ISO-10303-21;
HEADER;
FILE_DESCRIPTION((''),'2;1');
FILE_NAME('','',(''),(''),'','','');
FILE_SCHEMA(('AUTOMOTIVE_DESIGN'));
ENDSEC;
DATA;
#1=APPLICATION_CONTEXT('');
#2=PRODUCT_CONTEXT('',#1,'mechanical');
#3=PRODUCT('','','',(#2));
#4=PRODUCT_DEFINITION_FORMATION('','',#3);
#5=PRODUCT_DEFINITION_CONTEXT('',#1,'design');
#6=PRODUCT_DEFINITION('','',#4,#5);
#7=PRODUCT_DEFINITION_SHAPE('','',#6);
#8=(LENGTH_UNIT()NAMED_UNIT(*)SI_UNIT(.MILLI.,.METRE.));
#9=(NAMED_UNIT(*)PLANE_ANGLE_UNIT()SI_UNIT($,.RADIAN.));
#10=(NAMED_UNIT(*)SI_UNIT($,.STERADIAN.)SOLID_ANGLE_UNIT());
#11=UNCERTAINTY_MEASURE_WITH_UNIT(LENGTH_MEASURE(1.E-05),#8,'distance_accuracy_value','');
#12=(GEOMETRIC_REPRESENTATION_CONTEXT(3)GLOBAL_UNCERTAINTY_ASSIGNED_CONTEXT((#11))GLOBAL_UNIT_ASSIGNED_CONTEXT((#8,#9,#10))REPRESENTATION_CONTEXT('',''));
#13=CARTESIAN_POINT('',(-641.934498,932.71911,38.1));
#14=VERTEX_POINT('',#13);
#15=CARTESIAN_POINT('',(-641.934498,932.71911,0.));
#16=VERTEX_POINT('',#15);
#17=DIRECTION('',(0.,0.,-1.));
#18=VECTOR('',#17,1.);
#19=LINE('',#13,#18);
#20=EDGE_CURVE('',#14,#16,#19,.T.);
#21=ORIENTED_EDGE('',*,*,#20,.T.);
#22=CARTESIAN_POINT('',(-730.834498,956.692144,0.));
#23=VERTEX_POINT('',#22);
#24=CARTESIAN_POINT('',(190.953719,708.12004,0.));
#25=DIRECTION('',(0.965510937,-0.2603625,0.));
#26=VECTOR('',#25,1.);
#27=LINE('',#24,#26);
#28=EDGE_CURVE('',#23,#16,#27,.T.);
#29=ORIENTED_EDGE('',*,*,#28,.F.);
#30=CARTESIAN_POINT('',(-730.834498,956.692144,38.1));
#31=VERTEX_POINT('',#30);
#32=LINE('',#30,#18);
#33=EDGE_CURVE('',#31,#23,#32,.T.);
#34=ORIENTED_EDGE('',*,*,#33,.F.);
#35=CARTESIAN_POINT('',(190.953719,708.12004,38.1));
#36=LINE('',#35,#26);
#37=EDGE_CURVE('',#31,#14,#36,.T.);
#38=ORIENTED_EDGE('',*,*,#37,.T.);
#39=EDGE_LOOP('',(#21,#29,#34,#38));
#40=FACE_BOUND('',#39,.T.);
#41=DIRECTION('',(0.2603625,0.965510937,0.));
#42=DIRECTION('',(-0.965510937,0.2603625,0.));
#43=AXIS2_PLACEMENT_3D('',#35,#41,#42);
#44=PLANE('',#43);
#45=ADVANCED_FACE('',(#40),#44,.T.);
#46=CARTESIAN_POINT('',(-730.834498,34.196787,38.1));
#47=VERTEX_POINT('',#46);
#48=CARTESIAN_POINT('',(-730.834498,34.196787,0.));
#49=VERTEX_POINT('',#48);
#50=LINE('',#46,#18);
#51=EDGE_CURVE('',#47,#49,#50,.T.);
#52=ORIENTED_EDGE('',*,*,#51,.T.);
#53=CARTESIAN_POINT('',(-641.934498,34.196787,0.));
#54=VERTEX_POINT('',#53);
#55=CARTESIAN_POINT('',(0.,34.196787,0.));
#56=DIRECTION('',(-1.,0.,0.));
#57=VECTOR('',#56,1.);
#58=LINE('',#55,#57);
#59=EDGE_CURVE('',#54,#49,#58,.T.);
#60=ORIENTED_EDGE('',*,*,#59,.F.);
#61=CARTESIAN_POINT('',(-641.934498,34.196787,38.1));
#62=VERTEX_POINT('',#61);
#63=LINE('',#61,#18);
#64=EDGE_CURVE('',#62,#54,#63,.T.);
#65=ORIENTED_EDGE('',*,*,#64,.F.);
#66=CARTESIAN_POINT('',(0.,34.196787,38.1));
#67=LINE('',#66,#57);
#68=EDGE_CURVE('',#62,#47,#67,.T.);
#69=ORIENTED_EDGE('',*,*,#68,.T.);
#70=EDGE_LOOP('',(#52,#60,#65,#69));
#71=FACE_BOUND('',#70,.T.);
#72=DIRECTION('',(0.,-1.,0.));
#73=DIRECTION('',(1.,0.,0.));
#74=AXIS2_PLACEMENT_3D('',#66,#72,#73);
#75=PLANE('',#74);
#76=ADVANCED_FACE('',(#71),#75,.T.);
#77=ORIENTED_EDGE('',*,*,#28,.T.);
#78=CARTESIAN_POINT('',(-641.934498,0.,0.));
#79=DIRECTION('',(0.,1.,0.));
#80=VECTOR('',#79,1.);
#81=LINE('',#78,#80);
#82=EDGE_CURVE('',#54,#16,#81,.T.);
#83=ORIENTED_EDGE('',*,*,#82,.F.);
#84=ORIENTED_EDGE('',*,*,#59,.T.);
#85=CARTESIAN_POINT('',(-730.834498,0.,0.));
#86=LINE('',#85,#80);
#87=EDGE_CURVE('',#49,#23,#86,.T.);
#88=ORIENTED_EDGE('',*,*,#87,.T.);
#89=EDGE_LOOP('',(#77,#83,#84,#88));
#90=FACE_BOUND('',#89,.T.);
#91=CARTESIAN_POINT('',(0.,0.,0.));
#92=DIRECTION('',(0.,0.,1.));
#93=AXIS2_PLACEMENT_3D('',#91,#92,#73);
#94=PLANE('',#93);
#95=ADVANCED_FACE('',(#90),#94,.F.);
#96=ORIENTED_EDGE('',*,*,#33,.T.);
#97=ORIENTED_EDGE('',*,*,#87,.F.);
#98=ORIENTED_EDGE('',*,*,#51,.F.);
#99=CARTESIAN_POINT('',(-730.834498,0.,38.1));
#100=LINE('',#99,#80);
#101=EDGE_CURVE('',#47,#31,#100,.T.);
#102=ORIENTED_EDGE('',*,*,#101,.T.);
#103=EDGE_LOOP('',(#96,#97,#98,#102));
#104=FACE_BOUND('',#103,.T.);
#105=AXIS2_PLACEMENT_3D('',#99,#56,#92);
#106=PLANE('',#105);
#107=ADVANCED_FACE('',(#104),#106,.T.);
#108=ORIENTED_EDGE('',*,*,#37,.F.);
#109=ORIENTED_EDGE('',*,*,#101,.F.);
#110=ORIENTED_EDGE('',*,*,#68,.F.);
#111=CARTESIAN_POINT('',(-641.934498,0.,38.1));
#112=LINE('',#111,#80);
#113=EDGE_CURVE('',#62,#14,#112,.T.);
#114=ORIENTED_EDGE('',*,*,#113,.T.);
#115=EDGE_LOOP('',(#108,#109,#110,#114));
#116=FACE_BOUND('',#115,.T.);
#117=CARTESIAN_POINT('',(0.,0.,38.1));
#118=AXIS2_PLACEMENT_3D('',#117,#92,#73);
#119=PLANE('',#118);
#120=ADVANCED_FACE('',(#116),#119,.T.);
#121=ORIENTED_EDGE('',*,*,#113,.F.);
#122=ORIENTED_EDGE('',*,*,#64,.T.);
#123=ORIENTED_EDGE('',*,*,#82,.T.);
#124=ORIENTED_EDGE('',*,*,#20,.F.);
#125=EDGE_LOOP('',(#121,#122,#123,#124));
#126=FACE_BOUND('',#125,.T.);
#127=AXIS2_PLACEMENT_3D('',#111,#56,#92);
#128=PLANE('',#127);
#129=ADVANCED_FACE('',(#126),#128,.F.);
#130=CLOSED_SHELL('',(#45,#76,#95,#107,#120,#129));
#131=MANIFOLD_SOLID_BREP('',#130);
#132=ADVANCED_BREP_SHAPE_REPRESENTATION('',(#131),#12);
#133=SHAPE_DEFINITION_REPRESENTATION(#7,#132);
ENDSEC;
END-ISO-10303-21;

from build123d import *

# Parameters (mm, degrees)
BOSS_EXTRUDE1_DEPTH = 38.1


with BuildPart() as part:
    # Sketch1 → Boss-Extrude1 (new body)
    with BuildSketch(Plane.XY):
        Polygon((-730.83449825, 34.196787186), (-641.93449825, 34.196787186), (-641.93449825, 932.719110193), (-730.83449825, 956.692143901), align=None)
    extrude(amount=BOSS_EXTRUDE1_DEPTH)


solid = part.part
